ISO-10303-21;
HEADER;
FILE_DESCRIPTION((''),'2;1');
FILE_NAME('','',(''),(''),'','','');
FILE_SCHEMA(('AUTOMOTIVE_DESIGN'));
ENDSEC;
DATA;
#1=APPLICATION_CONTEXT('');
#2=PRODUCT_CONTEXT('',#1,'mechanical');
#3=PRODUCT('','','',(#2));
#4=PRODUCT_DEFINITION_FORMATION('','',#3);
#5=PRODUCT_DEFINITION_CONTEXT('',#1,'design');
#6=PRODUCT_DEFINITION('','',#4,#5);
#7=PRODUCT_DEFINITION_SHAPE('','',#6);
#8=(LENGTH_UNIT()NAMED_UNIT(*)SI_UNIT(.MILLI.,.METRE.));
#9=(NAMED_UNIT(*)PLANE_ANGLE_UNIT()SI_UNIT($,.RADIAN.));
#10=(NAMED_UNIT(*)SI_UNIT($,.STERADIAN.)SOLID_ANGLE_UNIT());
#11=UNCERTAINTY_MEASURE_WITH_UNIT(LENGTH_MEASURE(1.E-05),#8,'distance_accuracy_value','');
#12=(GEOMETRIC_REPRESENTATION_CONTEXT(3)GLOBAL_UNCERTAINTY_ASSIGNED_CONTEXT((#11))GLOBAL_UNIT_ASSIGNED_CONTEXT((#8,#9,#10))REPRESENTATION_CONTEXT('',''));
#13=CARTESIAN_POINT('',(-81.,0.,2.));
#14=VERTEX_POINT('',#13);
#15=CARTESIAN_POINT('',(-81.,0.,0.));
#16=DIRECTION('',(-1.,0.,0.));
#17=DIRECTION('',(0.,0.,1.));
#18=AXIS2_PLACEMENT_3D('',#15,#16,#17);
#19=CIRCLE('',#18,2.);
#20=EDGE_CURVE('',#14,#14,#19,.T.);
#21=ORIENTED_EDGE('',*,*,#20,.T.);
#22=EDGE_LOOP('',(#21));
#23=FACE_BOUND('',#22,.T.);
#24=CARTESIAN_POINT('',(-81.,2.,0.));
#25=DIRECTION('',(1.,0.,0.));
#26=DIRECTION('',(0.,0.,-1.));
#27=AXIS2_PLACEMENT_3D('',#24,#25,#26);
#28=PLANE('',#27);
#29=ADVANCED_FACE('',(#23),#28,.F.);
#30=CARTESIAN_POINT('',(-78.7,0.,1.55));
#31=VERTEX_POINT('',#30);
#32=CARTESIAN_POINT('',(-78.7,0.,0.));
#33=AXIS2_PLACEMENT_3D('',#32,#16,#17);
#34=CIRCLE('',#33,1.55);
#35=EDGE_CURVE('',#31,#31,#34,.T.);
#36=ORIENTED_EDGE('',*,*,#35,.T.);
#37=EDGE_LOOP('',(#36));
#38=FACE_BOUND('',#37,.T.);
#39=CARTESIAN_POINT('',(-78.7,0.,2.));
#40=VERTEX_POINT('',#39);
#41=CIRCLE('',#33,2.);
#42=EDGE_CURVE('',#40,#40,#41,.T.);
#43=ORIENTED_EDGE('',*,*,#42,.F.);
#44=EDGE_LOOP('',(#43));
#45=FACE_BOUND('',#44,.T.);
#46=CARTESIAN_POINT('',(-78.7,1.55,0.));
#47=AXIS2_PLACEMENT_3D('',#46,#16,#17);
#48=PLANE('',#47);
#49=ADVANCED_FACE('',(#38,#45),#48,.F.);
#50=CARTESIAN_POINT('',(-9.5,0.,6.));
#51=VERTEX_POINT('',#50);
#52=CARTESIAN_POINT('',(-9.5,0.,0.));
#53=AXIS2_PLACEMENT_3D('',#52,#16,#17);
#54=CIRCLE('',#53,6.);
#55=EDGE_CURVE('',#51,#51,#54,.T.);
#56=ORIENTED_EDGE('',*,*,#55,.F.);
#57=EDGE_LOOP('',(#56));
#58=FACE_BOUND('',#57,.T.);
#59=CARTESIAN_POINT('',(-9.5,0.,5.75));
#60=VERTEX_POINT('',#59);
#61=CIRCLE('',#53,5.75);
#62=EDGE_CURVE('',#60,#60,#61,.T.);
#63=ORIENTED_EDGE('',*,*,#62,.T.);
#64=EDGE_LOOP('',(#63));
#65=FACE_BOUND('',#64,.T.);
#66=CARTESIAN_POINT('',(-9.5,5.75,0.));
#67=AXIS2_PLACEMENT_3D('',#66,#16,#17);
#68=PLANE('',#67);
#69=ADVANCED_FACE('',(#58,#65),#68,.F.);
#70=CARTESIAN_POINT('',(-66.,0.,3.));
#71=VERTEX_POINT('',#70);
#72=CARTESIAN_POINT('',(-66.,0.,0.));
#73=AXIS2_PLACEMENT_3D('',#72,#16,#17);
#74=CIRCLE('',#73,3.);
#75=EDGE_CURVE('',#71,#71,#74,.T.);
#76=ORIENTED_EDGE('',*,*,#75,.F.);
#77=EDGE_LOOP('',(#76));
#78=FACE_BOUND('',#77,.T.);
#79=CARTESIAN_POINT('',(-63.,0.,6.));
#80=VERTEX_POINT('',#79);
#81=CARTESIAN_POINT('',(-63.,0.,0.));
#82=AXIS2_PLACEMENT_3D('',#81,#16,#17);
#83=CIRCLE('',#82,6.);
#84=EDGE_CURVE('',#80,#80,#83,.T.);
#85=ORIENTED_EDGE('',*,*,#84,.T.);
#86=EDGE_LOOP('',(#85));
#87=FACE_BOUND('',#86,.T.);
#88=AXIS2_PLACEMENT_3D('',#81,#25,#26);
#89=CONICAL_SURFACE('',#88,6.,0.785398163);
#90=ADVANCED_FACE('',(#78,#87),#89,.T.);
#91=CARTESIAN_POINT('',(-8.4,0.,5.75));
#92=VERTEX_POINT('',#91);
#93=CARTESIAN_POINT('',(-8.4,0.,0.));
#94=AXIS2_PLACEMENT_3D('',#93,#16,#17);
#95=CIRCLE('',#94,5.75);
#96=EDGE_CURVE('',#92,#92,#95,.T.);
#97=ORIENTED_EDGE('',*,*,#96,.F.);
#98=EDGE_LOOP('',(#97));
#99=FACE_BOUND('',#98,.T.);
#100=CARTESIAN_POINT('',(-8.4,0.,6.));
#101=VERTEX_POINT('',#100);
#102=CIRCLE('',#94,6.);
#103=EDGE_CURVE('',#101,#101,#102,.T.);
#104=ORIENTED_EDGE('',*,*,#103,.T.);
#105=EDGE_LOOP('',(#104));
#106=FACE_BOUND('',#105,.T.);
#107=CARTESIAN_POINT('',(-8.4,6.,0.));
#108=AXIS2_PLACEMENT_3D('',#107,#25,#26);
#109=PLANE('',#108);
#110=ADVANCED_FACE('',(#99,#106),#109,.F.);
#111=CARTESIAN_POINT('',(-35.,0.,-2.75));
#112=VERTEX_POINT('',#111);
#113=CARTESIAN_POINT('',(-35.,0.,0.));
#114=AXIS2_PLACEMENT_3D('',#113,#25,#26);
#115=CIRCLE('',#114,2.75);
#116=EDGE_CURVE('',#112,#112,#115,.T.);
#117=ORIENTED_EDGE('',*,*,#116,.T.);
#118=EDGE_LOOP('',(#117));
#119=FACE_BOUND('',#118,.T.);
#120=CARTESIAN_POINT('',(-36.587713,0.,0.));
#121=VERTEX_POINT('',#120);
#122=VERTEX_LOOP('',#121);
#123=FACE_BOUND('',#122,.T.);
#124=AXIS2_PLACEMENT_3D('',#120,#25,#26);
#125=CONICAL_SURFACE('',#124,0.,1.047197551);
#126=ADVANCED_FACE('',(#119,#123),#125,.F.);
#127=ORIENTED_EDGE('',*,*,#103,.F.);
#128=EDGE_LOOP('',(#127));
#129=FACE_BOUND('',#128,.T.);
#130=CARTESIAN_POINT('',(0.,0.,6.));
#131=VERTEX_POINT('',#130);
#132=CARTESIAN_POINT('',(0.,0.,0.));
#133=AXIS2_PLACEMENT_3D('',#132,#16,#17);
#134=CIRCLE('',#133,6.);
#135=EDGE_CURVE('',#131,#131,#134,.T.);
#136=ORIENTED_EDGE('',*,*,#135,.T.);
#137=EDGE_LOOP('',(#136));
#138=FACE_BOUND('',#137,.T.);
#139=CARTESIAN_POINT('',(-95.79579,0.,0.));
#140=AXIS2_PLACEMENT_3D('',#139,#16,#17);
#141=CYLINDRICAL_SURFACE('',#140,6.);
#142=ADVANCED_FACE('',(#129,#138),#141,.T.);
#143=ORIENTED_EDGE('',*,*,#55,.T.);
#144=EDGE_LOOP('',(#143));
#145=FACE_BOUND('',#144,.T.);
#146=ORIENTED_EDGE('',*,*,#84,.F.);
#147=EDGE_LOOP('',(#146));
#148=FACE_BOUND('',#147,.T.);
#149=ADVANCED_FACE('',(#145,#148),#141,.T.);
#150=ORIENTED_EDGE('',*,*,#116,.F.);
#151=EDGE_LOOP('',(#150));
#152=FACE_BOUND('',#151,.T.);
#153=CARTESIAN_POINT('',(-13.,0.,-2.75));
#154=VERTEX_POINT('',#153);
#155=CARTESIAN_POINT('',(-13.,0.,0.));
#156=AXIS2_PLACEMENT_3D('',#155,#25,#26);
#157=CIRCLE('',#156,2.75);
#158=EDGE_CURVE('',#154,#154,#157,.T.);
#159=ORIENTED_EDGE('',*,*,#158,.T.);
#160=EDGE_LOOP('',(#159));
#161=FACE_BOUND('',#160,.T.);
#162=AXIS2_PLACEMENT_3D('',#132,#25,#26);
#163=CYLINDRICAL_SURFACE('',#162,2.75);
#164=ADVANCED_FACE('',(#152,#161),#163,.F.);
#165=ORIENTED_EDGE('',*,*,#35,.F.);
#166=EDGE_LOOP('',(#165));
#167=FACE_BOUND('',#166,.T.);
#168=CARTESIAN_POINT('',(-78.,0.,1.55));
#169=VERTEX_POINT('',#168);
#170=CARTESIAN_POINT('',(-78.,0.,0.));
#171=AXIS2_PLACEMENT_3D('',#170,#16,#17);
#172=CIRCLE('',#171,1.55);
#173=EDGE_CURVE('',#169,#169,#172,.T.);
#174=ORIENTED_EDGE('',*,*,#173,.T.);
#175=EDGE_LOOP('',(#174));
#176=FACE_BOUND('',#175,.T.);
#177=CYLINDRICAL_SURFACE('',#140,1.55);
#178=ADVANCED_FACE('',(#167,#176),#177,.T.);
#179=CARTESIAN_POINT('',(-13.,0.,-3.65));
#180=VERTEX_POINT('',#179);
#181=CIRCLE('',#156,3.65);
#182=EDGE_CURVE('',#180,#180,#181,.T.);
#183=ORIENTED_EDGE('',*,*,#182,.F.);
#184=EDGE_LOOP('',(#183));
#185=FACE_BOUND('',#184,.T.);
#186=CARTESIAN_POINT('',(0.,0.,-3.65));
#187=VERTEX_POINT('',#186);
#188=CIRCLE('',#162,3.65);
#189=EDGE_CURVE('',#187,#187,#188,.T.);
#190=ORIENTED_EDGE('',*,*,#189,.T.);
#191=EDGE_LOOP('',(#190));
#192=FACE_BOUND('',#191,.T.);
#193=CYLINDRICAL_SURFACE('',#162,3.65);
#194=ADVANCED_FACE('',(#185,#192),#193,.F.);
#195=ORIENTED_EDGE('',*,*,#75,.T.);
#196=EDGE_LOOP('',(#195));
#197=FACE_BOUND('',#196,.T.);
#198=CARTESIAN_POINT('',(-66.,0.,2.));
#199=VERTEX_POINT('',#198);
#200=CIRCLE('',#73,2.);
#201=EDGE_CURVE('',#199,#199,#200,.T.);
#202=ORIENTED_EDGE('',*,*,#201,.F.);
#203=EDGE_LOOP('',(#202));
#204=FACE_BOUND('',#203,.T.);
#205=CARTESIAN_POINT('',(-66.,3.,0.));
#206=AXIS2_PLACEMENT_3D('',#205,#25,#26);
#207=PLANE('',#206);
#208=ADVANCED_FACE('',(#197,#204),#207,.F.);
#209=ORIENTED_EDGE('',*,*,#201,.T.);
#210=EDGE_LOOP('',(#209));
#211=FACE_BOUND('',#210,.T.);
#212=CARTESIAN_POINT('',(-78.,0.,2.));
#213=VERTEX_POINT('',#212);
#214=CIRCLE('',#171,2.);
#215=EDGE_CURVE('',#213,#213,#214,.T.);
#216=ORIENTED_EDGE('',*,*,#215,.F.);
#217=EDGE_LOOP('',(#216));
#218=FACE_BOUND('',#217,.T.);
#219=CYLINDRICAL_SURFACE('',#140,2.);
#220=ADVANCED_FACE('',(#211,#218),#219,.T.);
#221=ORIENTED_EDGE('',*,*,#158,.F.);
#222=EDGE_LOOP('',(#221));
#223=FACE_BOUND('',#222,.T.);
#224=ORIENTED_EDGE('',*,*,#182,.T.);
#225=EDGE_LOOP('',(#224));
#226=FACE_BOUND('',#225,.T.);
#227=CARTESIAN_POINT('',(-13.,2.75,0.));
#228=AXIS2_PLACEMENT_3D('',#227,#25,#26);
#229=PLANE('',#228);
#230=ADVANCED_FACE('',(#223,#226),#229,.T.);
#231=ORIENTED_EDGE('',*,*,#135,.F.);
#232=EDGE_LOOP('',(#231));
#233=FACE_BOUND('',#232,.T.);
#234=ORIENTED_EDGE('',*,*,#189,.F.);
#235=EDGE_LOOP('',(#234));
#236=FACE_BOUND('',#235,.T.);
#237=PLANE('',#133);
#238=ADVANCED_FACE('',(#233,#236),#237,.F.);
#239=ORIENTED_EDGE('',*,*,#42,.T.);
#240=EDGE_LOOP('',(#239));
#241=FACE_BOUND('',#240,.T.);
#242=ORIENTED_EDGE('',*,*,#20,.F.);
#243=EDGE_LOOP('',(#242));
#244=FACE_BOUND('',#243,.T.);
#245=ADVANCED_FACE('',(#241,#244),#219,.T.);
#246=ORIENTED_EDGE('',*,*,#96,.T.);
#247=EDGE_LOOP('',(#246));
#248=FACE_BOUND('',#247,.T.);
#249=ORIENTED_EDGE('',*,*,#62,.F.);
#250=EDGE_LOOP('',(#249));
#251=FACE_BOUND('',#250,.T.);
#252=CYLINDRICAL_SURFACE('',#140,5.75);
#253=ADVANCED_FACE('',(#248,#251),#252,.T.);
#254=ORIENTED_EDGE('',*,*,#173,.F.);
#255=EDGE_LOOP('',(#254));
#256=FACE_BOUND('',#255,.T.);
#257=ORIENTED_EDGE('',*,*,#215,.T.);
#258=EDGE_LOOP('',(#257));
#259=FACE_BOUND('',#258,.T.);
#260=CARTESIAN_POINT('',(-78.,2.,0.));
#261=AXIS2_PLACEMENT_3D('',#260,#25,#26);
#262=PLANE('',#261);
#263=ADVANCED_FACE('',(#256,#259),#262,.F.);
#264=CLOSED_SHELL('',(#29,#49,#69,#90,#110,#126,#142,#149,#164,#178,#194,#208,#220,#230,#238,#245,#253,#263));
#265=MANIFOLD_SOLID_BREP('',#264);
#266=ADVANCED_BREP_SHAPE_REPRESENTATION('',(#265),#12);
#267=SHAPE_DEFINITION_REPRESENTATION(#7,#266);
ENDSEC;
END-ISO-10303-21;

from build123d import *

# Parameters (mm, degrees)
PER_AGE1_D           = 5.5
PER_AGE1_DEPTH       = 35
PER_AGE1_CBORE_D     = 7.3
PER_AGE1_CBORE_DEPTH = 13
PER_AGE1_TIP         = 1.58771324


with BuildPart() as part:
    # Esquisse1 → Base-Révolution (revolve)
    with BuildSketch(Plane.XY, mode=Mode.PRIVATE) as base_r_volution_sk:
        Polygon((0, 0), (0, 6), (-8.4, 6), (-8.4, 5.75), (-9.5, 5.75), (-9.5, 6), (-63, 6), (-66, 3), (-66, 2), (-78, 2), (-78, 1.55), (-78.7, 1.55), (-78.7, 2), (-81, 2), (-81, 0), align=None)
    revolve(base_r_volution_sk.sketch.rotate(Axis((-95.795789587, 0, 0), (1, 0, 0)), 90), axis=Axis((-95.795789587, 0, 0), (1, 0, 0)))

    # Perçage1
    with Locations(Plane(origin=(0, 0, 0), x_dir=(0, 0, -1), z_dir=(1, 0, 0))):
        with Locations((0, 0)):
            CounterBoreHole(PER_AGE1_D / 2, PER_AGE1_CBORE_D / 2, PER_AGE1_CBORE_DEPTH, depth=PER_AGE1_DEPTH)
            with Locations((0, 0, -(PER_AGE1_DEPTH + PER_AGE1_TIP / 2))):  # 120° drill point
                Cone(0, PER_AGE1_D / 2, PER_AGE1_TIP, mode=Mode.SUBTRACT)


solid = part.part
